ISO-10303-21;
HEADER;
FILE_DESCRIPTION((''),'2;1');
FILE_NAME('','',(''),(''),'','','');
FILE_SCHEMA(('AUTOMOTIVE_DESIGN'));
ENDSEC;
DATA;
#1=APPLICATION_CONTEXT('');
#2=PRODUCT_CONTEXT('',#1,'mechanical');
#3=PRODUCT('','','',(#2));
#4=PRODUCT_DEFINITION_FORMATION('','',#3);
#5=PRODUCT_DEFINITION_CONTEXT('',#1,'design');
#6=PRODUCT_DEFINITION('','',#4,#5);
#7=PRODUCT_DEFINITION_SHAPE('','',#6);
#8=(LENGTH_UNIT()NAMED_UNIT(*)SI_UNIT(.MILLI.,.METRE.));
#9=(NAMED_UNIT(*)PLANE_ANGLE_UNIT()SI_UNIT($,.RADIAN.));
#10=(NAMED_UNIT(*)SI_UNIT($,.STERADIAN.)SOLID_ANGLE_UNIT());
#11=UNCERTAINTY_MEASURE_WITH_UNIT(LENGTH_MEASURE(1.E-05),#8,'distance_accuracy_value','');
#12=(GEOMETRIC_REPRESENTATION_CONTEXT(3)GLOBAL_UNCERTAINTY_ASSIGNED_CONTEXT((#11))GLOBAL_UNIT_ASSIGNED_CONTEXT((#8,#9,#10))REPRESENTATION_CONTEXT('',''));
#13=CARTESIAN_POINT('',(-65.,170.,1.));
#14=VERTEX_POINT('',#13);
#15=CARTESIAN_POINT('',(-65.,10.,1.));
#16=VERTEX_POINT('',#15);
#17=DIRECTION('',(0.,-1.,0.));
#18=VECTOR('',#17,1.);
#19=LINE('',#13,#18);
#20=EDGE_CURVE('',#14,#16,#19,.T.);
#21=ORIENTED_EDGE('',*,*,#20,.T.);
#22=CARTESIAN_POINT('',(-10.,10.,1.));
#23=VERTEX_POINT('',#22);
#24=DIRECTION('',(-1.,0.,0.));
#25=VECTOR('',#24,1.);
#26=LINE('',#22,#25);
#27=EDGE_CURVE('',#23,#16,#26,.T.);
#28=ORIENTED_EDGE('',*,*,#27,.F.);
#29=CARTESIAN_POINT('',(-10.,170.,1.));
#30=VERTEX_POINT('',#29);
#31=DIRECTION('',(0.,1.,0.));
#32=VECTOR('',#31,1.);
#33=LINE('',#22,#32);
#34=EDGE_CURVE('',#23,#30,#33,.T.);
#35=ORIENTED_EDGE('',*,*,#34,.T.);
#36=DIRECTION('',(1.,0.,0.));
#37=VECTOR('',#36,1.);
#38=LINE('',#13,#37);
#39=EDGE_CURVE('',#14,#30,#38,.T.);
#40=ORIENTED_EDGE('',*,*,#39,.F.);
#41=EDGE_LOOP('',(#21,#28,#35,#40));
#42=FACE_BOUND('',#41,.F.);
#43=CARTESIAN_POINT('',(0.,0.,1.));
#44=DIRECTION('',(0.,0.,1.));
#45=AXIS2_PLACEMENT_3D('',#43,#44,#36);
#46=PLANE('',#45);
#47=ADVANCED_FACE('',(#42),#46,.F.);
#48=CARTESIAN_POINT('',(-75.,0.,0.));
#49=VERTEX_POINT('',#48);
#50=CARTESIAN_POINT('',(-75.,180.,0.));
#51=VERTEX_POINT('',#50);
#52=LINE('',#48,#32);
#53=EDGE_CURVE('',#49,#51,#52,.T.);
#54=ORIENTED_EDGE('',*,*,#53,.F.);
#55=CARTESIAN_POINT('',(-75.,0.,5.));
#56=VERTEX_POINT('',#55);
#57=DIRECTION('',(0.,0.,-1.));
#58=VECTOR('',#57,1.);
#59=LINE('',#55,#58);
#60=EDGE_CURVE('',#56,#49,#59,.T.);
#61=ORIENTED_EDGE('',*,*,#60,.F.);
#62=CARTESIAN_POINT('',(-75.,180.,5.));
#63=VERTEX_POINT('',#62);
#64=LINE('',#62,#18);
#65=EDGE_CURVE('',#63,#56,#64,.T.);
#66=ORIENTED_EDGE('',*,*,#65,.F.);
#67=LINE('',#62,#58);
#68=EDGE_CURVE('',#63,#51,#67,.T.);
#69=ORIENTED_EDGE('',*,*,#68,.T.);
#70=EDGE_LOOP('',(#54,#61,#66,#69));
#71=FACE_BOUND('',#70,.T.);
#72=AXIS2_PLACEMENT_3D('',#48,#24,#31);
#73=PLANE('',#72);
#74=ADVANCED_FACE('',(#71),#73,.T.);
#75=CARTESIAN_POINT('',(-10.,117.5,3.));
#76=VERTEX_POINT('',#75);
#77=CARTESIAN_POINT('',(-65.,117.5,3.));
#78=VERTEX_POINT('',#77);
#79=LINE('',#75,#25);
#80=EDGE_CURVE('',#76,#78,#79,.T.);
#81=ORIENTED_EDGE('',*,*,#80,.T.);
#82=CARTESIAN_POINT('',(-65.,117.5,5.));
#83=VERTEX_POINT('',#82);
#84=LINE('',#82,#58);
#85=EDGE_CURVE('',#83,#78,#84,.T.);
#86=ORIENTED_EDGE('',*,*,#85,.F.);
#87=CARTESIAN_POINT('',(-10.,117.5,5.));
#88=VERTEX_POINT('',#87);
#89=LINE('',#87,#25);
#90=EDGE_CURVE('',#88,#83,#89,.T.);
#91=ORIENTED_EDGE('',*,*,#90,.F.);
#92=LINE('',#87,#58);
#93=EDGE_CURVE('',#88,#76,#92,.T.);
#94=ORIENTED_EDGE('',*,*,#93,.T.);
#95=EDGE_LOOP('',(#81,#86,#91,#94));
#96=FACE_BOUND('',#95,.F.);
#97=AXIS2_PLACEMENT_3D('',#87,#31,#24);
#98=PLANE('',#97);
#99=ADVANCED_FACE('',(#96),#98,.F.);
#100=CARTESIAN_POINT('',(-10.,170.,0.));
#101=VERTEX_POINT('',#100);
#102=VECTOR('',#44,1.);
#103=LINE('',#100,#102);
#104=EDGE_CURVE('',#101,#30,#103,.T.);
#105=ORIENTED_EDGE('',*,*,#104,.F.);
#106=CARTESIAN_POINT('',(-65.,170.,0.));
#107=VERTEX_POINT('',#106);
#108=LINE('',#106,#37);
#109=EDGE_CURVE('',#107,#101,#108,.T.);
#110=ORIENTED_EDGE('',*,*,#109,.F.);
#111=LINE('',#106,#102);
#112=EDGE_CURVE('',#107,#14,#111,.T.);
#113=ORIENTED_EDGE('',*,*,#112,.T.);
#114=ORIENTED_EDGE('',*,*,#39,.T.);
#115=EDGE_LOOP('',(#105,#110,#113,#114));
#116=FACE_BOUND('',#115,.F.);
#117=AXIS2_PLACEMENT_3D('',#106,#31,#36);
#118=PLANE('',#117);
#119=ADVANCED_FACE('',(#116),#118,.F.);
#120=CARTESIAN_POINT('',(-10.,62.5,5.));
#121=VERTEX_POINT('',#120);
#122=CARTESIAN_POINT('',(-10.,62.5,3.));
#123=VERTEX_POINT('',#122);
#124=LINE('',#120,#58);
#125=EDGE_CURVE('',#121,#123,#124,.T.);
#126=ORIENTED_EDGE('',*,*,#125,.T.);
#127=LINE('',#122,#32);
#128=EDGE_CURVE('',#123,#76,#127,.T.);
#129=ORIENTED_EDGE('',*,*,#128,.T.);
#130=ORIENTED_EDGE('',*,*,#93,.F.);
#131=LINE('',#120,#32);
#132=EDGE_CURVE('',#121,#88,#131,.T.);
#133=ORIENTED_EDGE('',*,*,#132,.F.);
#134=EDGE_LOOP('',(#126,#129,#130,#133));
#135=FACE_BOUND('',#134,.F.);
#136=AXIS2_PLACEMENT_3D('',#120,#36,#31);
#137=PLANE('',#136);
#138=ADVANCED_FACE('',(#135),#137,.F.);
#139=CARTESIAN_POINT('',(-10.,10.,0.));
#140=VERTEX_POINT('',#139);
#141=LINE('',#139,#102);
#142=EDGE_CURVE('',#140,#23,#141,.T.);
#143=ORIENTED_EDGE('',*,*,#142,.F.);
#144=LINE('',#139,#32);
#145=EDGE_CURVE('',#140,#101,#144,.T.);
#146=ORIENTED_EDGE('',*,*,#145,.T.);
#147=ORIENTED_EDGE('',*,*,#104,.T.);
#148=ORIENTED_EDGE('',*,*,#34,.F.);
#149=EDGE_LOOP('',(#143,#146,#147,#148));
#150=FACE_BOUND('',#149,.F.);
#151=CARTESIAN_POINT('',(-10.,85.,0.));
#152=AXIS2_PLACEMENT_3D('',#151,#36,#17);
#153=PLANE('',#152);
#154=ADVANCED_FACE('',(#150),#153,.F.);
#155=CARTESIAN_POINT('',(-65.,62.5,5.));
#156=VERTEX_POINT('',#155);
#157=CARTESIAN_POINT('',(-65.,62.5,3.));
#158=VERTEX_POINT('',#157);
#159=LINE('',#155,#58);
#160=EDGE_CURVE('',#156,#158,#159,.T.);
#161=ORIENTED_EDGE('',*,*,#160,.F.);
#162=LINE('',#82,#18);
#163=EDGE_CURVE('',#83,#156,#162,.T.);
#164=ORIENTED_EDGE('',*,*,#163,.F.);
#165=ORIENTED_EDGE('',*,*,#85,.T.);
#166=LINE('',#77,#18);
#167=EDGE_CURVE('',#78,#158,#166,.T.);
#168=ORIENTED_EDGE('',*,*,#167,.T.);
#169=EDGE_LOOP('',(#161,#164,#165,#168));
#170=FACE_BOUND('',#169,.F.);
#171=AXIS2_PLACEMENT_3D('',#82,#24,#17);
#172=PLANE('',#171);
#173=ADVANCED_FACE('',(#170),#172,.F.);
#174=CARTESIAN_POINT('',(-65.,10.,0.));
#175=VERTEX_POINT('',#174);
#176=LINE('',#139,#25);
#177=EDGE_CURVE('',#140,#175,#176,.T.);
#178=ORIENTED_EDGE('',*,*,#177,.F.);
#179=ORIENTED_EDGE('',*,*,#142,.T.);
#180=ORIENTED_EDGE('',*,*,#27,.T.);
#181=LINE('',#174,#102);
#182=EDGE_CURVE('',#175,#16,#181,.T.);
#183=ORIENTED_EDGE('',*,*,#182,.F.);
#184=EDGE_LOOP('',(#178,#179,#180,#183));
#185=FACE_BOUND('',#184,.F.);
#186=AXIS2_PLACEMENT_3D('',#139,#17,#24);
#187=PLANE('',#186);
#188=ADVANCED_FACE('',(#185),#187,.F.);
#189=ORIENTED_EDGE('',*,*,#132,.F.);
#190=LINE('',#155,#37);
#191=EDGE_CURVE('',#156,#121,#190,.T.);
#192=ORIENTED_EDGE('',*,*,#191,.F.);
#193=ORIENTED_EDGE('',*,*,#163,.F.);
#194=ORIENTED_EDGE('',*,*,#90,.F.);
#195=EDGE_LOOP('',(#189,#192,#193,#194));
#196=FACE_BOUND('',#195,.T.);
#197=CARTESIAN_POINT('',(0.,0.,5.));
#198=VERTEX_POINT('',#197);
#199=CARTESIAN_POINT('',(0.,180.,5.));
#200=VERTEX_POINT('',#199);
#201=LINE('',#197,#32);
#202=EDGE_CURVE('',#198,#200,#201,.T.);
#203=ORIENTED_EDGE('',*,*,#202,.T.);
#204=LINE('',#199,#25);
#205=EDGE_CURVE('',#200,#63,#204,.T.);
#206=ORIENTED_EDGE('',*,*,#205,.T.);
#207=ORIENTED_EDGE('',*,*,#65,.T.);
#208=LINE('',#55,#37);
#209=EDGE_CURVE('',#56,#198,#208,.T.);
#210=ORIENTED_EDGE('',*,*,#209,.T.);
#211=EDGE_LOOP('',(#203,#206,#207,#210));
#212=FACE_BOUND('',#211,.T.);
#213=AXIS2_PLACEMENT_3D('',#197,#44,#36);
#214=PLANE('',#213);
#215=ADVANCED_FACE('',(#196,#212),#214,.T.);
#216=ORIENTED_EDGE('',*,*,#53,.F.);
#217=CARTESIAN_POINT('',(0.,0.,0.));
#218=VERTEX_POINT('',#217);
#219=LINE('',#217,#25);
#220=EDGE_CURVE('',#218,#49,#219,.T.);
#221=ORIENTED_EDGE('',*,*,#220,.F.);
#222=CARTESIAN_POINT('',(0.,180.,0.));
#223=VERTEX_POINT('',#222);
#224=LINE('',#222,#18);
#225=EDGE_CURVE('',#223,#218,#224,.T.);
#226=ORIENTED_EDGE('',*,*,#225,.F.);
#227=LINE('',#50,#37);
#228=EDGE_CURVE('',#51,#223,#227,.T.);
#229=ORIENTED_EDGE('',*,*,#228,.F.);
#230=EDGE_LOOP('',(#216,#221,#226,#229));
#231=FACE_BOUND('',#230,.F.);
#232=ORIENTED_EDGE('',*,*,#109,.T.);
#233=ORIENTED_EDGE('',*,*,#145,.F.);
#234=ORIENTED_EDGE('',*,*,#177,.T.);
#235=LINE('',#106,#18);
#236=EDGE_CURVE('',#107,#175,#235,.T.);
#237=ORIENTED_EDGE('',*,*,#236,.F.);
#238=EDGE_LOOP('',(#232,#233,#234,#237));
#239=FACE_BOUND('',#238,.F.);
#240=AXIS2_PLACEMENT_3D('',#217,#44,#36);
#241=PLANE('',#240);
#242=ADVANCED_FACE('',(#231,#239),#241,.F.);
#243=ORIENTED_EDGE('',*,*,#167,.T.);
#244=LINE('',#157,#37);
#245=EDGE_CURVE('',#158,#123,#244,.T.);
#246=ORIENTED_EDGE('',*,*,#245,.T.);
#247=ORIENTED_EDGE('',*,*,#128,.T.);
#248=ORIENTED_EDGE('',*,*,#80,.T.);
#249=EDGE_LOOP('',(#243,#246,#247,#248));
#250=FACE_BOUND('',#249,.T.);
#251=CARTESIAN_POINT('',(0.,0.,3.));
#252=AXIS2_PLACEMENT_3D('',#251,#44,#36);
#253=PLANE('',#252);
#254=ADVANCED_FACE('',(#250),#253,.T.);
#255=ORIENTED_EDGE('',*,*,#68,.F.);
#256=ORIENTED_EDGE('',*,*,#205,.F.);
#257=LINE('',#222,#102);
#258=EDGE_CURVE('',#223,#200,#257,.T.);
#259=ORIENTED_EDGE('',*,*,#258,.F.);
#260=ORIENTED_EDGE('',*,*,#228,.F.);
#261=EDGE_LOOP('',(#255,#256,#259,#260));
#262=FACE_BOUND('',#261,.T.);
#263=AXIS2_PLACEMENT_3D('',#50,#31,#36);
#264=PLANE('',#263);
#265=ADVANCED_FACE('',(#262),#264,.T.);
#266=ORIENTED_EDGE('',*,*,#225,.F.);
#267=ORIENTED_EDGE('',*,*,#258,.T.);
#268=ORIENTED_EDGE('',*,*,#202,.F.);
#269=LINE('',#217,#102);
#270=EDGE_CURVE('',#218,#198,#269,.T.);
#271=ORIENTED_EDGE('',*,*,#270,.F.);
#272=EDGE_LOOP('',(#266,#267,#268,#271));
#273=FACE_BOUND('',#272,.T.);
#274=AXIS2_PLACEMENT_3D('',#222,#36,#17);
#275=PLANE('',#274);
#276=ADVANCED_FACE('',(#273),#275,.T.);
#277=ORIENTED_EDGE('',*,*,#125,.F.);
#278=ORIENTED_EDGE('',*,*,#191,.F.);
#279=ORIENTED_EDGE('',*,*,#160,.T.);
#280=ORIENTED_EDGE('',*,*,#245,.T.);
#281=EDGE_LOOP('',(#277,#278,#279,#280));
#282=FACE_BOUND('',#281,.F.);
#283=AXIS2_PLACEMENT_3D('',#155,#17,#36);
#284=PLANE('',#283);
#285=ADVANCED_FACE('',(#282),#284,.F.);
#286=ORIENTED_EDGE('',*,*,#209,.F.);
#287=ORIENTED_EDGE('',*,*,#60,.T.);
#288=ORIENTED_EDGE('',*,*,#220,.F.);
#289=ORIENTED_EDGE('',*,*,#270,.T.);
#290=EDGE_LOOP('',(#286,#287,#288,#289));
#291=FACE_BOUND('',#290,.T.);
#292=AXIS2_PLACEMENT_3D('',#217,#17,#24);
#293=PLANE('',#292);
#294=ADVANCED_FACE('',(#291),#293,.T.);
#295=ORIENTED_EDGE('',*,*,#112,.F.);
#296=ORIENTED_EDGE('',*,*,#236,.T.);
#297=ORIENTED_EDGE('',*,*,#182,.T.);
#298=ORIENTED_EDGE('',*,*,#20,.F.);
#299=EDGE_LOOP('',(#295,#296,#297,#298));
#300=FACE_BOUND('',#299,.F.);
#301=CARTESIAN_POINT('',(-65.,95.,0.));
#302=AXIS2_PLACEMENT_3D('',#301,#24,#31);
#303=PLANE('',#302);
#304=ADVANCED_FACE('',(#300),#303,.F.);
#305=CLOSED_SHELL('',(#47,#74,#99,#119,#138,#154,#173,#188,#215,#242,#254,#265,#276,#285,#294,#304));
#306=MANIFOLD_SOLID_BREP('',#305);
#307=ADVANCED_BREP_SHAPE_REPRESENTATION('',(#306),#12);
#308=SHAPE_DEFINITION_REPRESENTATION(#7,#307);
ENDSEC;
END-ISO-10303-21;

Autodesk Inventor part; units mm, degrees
ref_plane "YZ Plane" through (0, 0, 0) normal (1, 0, 0) x (0, 1, 0)
ref_plane "XZ Plane" through (0, 0, 0) normal (0, 1, 0) x (-1, 0, 0)
ref_plane "XY Plane" through (0, 0, 0) normal (0, 0, 1) x (1, 0, 0)
sketch "Sketch1" plane through (0, 0, 0) normal (0, 0, 1) x (1, 0, 0)
  line L0 (0, 0) -> (-75, 0)
  line L1 (-75, 0) -> (-75, 180)
  line L2 (-75, 180) -> (0, 180)
  line L3 (0, 180) -> (0, 0)
  line L4 (-65, 170) -> (-10, 170)
  line L5 (-10, 10) -> (-65, 10)
  line L6 (-65, 10) -> (-65, 85)
  line L7 (-65, 95) -> (-65, 170)
  line L8 (-10, 170) -> (-10, 95)
  line L9 (-10, 85) -> (-10, 10)
  line L10 (-65, 85) -> (-65, 95)
  line L11 (-10, 95) -> (-10, 85)
  point P0 (-65, 90)
  point P1 (-10, 90)
  dimension "d35" = 75
  dimension "d36" = 180
  dimension "d37" = 55
  dimension "d38" = 160
extrude "Extrusion16" add sketch "Sketch1" along normal blind 1
sketch "Sketch12" plane through (0, 0, 1) normal (0, 0, 1) x (1, 0, 0)
  line L0 (0, 0) -> (0, 180) projected
  line L1 (-75, 180) -> (-75, 0) projected
  line L2 (0, 180) -> (-75, 180)
  line L3 (-75, 180) -> (-75, 0)
  line L4 (-75, 0) -> (0, 0)
  line L5 (0, 0) -> (0, 180)
extrude "Extrusion17" add sketch "Sketch12" along normal blind 4
sketch "Sketch13" plane through (0, 0, 5) normal (0, 0, 1) x (1, 0, 0)
  line L0 (-10, 117.5) -> (-65, 117.5)
  line L1 (-65, 117.5) -> (-65, 62.5)
  line L2 (-65, 62.5) -> (-10, 62.5)
  line L3 (-10, 62.5) -> (-10, 117.5)
  point P0 (0, 0)
  dimension "d99" = 55
  dimension "d100" = 55
extrude "Extrusion18" cut sketch "Sketch13" against normal blind 2
properties part number "Shoulder_Cube_TestFit_V1"
